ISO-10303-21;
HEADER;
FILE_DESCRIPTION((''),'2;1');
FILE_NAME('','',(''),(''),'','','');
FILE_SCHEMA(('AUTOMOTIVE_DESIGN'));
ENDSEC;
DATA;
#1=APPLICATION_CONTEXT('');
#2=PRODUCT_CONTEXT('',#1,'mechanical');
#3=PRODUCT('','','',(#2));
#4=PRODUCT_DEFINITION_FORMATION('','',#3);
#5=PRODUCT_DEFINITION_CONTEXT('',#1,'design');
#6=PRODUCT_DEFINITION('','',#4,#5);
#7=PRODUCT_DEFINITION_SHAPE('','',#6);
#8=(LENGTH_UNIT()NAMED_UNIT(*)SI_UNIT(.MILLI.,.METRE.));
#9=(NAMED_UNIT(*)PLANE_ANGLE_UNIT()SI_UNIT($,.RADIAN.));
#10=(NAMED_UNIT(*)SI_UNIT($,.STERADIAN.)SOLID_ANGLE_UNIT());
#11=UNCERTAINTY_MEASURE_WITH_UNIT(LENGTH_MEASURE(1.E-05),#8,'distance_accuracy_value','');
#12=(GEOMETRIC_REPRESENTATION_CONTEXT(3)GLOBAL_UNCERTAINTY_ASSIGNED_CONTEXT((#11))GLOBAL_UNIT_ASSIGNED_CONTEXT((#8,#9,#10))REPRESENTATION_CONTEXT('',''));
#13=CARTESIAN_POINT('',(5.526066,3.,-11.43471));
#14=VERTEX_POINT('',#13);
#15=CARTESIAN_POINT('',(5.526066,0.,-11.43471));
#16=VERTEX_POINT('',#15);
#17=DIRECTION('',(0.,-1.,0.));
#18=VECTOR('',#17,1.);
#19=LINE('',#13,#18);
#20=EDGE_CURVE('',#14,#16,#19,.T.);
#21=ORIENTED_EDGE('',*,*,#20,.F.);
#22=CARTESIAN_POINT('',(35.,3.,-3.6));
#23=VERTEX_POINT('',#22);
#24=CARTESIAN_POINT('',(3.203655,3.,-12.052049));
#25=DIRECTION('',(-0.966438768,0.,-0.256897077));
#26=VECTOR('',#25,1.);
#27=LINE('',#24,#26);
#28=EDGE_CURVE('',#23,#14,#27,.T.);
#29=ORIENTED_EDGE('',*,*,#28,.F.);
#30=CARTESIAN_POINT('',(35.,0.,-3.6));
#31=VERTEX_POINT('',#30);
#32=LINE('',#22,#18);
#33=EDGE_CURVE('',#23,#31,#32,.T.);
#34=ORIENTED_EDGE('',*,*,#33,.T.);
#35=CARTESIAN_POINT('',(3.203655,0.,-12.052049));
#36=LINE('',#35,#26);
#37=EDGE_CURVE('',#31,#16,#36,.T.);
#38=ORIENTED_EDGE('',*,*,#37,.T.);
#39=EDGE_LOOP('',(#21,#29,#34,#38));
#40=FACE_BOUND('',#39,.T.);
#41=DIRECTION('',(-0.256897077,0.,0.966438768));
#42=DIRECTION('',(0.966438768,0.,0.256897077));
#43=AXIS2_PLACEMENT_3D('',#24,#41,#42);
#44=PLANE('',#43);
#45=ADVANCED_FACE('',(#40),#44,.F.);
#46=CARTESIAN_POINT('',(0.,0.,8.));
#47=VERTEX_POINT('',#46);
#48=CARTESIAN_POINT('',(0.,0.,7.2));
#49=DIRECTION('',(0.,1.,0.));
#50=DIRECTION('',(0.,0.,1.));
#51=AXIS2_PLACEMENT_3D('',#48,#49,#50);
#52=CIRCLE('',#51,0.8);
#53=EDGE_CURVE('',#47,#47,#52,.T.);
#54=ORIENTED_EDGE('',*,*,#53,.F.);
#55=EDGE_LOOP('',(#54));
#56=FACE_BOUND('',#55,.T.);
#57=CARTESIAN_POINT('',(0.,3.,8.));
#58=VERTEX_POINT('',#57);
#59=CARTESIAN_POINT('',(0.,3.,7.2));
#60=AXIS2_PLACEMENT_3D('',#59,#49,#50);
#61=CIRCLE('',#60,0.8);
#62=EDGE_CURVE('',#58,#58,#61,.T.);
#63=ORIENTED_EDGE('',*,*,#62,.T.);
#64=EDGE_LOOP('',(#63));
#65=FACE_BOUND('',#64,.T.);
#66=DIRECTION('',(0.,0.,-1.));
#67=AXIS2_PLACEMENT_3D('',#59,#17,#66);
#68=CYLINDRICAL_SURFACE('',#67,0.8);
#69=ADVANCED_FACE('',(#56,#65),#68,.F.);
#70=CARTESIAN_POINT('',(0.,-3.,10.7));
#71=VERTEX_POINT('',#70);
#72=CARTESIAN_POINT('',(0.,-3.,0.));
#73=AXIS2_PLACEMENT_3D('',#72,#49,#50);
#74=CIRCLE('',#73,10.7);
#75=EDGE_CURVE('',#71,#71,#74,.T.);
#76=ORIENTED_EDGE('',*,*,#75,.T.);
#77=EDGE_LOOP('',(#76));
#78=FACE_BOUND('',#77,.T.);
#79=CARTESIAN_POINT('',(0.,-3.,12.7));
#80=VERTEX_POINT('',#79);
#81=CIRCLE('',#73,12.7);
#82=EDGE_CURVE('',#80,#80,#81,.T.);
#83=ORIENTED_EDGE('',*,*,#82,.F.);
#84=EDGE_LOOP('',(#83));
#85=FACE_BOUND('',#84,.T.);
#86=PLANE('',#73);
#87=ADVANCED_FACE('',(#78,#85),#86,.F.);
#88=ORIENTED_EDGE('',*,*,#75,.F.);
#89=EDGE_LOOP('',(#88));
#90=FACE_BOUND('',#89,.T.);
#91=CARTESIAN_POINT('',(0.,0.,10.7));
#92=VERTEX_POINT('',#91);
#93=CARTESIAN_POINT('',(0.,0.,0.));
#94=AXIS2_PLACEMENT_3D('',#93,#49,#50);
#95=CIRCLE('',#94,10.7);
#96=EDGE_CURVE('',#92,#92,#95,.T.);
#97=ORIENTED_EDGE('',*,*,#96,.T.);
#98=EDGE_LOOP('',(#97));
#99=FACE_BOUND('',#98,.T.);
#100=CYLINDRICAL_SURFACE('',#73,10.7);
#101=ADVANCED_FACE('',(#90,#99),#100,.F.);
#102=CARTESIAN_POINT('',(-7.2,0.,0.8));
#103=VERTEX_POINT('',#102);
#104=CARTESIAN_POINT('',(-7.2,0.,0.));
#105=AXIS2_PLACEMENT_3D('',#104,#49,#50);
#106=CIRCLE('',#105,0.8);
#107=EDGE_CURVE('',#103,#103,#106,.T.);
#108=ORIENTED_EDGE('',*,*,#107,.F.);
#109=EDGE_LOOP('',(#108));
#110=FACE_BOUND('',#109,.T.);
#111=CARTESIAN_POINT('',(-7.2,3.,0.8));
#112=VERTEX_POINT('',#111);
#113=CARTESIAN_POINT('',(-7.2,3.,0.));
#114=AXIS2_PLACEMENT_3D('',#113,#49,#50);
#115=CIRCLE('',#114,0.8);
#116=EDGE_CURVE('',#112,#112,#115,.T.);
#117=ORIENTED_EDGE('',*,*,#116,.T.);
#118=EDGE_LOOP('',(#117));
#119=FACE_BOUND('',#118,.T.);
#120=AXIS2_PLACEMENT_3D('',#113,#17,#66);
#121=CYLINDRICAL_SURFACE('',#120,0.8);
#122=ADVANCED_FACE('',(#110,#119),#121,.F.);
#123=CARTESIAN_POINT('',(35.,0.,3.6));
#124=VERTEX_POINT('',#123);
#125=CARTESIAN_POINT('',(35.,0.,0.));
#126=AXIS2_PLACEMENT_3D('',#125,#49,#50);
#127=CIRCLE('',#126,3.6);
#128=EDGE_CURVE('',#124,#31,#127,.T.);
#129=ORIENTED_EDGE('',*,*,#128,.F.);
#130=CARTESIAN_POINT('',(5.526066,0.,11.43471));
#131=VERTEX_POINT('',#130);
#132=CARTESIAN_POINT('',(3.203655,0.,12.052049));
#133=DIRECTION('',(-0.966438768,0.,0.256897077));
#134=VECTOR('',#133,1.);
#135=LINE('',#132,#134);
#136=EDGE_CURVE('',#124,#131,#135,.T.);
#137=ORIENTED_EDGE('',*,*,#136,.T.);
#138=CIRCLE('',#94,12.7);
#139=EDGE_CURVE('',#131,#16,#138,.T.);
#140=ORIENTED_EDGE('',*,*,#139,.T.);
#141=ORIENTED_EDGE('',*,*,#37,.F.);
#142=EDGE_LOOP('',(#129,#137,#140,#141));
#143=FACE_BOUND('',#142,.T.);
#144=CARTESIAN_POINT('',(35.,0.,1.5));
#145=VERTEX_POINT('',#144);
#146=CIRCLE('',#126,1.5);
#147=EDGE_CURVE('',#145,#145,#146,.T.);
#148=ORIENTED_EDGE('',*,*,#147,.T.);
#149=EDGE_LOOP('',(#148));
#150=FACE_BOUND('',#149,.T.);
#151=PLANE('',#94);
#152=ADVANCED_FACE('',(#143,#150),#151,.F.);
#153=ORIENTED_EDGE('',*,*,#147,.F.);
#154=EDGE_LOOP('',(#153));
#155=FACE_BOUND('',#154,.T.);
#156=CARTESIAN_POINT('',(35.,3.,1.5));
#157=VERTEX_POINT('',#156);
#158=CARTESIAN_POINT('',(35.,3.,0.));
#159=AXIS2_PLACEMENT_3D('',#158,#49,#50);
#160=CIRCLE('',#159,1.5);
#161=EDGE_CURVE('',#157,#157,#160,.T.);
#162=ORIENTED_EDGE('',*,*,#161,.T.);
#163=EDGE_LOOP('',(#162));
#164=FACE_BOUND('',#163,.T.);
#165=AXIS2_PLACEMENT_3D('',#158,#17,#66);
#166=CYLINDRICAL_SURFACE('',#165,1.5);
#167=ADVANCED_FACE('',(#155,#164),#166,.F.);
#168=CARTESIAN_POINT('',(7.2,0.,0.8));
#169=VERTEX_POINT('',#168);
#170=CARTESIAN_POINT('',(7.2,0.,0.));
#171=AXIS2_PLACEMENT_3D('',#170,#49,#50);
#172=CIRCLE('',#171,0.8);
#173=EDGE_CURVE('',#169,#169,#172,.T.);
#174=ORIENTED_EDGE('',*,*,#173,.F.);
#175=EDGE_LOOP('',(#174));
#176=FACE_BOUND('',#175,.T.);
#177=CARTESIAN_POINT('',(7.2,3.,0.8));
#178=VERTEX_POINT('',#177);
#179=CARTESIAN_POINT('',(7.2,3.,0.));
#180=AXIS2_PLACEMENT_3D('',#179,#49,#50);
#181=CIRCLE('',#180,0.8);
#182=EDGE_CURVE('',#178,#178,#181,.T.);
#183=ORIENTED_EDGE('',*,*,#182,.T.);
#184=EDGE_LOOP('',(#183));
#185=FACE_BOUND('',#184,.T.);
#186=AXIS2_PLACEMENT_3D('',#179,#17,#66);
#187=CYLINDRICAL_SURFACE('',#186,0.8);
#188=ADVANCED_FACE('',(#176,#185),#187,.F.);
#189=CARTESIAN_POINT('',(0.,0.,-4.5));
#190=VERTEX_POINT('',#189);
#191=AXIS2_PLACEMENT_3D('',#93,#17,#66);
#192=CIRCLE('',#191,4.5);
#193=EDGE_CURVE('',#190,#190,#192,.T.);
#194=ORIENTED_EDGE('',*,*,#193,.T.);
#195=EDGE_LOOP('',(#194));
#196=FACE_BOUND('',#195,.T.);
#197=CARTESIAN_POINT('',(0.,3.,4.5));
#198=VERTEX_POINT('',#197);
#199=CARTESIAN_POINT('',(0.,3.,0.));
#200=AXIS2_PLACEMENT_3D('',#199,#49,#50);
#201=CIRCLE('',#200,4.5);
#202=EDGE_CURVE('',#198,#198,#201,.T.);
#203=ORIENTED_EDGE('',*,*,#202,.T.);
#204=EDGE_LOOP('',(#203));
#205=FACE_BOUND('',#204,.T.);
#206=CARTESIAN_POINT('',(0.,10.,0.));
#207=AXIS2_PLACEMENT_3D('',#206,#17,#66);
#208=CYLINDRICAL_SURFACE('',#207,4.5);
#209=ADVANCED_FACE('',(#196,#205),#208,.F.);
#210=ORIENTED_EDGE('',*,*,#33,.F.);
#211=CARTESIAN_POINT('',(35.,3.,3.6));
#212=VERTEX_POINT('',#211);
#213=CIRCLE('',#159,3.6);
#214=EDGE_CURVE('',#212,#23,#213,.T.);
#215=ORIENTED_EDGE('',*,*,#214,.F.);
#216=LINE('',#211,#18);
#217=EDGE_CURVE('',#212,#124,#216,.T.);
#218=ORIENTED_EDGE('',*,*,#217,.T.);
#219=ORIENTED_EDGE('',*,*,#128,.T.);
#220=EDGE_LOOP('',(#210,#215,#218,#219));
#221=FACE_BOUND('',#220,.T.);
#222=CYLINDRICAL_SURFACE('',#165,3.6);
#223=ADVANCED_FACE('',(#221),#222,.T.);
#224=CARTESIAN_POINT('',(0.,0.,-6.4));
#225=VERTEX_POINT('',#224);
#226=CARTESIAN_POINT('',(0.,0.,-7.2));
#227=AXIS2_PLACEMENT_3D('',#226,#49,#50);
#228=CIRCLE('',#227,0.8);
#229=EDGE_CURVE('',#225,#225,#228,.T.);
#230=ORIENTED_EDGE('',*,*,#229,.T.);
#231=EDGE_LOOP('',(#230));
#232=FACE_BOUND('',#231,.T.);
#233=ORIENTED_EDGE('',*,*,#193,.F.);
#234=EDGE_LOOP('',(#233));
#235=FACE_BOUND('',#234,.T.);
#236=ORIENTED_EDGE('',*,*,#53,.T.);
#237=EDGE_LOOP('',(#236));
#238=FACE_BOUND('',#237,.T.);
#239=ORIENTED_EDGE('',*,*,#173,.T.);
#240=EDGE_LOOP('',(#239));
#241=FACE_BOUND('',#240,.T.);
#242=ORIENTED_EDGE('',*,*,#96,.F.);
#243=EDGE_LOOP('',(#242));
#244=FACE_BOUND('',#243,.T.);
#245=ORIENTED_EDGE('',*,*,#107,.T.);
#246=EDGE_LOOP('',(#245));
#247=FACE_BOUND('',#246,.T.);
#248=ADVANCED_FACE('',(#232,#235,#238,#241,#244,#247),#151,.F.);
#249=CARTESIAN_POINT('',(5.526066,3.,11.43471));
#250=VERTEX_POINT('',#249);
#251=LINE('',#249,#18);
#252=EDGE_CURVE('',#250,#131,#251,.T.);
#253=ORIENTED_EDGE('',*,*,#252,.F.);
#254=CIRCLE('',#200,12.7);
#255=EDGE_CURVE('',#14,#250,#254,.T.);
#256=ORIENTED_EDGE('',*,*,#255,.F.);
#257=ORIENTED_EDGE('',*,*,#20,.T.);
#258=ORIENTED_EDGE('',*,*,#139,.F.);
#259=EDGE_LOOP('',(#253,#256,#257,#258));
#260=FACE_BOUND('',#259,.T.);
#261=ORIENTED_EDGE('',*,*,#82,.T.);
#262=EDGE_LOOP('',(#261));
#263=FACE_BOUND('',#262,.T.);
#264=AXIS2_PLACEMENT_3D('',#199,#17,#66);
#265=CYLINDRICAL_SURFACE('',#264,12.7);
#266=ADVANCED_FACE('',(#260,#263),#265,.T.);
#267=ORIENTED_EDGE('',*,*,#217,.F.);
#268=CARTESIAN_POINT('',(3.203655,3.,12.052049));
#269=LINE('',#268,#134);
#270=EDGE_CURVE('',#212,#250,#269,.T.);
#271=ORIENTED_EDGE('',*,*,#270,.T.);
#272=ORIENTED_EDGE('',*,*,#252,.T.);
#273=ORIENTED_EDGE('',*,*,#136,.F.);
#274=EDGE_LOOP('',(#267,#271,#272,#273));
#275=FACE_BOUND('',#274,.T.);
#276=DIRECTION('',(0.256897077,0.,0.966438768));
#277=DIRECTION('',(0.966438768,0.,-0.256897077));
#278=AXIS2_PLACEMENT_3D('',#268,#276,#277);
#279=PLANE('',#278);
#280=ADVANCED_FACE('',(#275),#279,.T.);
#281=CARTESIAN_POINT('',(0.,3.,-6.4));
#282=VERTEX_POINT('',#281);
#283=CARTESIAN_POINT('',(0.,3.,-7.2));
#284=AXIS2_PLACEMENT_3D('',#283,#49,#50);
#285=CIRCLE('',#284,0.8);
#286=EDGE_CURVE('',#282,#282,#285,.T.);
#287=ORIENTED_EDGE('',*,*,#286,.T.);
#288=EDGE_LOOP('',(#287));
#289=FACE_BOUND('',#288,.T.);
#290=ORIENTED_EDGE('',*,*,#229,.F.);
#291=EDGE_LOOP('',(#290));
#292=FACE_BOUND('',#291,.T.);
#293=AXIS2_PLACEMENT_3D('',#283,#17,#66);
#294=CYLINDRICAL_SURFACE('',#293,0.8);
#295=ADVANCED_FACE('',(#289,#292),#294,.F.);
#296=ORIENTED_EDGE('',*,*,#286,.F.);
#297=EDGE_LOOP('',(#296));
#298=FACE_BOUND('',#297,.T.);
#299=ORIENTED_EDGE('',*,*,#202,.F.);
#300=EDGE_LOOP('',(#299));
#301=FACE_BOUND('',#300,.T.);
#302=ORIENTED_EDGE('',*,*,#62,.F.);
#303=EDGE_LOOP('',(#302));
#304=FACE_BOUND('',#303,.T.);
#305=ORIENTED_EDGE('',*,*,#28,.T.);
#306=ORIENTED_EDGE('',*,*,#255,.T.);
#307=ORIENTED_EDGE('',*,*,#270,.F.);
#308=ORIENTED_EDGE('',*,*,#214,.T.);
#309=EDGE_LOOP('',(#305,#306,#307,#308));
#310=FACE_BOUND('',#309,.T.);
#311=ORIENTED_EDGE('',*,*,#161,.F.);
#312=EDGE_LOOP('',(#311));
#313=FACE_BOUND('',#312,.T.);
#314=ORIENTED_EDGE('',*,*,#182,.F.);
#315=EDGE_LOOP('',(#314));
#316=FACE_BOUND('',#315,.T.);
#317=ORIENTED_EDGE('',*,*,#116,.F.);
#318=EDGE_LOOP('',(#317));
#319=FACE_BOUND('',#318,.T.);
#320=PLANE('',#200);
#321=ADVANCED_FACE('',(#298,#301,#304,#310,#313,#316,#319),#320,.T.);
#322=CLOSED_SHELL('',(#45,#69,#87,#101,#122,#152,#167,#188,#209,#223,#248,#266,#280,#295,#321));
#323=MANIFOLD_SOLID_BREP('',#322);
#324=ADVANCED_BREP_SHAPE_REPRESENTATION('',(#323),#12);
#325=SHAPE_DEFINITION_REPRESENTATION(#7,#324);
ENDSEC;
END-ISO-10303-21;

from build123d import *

# Parameters (mm, degrees)
SKETCH1_R           = 1.5
SKETCH1_R_2         = 0.8
BOSS_EXTRUDE1_DEPTH = 3
BOSS_EXTRUDE2_START = -3
SKETCH1_3_R         = 10.7
BOSS_EXTRUDE2_DEPTH = 3
SKETCH2_R           = 4.5
CUT_EXTRUDE1_DEPTH  = 10


with BuildPart() as part:
    # Sketch1 → Boss-Extrude1 (new body)
    with BuildSketch(Plane(origin=(0, 0, 0), x_dir=(1, 0, 0), z_dir=(0, 1, 0))):
        with BuildLine():
            Line((5.526066251, -11.434709956), (35, -3.6))
            ThreePointArc((35, -3.6), (38.6, 0), (35, 3.6))
            Line((35, 3.6), (5.526066251, 11.434709956))
            ThreePointArc((5.526066251, 11.434709956), (-12.7, 0), (5.526066251, -11.434709956))
        make_face()
        with Locations((35, 0)):
            Circle(SKETCH1_R, mode=Mode.SUBTRACT)
        with Locations((0, 7.2)):
            Circle(SKETCH1_R_2, mode=Mode.SUBTRACT)
        with Locations((0, -7.2)):
            Circle(SKETCH1_R_2, mode=Mode.SUBTRACT)
        with Locations((7.2, 0)):
            Circle(SKETCH1_R_2, mode=Mode.SUBTRACT)
        with Locations((-7.2, 0)):
            Circle(SKETCH1_R_2, mode=Mode.SUBTRACT)
        Circle(SKETCH1_R, mode=Mode.SUBTRACT)
    extrude(amount=BOSS_EXTRUDE1_DEPTH)

    # Sketch1<3> → Boss-Extrude2 (add)
    with BuildSketch(Plane(origin=(0, 0, 0), x_dir=(1, 0, 0), z_dir=(0, 1, 0)).offset(BOSS_EXTRUDE2_START)):
        with BuildLine():
            ThreePointArc((12.7, 0), (10.758044464, 6.749405848), (5.526066251, 11.434709956))
            ThreePointArc((5.526066251, 11.434709956), (-12.7, 0), (5.526066251, -11.434709956))
            ThreePointArc((5.526066251, -11.434709956), (10.758044464, -6.749405848), (12.7, 0))
        make_face()
        Circle(SKETCH1_3_R, mode=Mode.SUBTRACT)
    extrude(amount=BOSS_EXTRUDE2_DEPTH)

    # Sketch2 → Cut-Extrude1 (cut)
    with BuildSketch(Plane.XZ):
        Circle(SKETCH2_R)
    extrude(amount=-CUT_EXTRUDE1_DEPTH, mode=Mode.SUBTRACT)


solid = part.part
